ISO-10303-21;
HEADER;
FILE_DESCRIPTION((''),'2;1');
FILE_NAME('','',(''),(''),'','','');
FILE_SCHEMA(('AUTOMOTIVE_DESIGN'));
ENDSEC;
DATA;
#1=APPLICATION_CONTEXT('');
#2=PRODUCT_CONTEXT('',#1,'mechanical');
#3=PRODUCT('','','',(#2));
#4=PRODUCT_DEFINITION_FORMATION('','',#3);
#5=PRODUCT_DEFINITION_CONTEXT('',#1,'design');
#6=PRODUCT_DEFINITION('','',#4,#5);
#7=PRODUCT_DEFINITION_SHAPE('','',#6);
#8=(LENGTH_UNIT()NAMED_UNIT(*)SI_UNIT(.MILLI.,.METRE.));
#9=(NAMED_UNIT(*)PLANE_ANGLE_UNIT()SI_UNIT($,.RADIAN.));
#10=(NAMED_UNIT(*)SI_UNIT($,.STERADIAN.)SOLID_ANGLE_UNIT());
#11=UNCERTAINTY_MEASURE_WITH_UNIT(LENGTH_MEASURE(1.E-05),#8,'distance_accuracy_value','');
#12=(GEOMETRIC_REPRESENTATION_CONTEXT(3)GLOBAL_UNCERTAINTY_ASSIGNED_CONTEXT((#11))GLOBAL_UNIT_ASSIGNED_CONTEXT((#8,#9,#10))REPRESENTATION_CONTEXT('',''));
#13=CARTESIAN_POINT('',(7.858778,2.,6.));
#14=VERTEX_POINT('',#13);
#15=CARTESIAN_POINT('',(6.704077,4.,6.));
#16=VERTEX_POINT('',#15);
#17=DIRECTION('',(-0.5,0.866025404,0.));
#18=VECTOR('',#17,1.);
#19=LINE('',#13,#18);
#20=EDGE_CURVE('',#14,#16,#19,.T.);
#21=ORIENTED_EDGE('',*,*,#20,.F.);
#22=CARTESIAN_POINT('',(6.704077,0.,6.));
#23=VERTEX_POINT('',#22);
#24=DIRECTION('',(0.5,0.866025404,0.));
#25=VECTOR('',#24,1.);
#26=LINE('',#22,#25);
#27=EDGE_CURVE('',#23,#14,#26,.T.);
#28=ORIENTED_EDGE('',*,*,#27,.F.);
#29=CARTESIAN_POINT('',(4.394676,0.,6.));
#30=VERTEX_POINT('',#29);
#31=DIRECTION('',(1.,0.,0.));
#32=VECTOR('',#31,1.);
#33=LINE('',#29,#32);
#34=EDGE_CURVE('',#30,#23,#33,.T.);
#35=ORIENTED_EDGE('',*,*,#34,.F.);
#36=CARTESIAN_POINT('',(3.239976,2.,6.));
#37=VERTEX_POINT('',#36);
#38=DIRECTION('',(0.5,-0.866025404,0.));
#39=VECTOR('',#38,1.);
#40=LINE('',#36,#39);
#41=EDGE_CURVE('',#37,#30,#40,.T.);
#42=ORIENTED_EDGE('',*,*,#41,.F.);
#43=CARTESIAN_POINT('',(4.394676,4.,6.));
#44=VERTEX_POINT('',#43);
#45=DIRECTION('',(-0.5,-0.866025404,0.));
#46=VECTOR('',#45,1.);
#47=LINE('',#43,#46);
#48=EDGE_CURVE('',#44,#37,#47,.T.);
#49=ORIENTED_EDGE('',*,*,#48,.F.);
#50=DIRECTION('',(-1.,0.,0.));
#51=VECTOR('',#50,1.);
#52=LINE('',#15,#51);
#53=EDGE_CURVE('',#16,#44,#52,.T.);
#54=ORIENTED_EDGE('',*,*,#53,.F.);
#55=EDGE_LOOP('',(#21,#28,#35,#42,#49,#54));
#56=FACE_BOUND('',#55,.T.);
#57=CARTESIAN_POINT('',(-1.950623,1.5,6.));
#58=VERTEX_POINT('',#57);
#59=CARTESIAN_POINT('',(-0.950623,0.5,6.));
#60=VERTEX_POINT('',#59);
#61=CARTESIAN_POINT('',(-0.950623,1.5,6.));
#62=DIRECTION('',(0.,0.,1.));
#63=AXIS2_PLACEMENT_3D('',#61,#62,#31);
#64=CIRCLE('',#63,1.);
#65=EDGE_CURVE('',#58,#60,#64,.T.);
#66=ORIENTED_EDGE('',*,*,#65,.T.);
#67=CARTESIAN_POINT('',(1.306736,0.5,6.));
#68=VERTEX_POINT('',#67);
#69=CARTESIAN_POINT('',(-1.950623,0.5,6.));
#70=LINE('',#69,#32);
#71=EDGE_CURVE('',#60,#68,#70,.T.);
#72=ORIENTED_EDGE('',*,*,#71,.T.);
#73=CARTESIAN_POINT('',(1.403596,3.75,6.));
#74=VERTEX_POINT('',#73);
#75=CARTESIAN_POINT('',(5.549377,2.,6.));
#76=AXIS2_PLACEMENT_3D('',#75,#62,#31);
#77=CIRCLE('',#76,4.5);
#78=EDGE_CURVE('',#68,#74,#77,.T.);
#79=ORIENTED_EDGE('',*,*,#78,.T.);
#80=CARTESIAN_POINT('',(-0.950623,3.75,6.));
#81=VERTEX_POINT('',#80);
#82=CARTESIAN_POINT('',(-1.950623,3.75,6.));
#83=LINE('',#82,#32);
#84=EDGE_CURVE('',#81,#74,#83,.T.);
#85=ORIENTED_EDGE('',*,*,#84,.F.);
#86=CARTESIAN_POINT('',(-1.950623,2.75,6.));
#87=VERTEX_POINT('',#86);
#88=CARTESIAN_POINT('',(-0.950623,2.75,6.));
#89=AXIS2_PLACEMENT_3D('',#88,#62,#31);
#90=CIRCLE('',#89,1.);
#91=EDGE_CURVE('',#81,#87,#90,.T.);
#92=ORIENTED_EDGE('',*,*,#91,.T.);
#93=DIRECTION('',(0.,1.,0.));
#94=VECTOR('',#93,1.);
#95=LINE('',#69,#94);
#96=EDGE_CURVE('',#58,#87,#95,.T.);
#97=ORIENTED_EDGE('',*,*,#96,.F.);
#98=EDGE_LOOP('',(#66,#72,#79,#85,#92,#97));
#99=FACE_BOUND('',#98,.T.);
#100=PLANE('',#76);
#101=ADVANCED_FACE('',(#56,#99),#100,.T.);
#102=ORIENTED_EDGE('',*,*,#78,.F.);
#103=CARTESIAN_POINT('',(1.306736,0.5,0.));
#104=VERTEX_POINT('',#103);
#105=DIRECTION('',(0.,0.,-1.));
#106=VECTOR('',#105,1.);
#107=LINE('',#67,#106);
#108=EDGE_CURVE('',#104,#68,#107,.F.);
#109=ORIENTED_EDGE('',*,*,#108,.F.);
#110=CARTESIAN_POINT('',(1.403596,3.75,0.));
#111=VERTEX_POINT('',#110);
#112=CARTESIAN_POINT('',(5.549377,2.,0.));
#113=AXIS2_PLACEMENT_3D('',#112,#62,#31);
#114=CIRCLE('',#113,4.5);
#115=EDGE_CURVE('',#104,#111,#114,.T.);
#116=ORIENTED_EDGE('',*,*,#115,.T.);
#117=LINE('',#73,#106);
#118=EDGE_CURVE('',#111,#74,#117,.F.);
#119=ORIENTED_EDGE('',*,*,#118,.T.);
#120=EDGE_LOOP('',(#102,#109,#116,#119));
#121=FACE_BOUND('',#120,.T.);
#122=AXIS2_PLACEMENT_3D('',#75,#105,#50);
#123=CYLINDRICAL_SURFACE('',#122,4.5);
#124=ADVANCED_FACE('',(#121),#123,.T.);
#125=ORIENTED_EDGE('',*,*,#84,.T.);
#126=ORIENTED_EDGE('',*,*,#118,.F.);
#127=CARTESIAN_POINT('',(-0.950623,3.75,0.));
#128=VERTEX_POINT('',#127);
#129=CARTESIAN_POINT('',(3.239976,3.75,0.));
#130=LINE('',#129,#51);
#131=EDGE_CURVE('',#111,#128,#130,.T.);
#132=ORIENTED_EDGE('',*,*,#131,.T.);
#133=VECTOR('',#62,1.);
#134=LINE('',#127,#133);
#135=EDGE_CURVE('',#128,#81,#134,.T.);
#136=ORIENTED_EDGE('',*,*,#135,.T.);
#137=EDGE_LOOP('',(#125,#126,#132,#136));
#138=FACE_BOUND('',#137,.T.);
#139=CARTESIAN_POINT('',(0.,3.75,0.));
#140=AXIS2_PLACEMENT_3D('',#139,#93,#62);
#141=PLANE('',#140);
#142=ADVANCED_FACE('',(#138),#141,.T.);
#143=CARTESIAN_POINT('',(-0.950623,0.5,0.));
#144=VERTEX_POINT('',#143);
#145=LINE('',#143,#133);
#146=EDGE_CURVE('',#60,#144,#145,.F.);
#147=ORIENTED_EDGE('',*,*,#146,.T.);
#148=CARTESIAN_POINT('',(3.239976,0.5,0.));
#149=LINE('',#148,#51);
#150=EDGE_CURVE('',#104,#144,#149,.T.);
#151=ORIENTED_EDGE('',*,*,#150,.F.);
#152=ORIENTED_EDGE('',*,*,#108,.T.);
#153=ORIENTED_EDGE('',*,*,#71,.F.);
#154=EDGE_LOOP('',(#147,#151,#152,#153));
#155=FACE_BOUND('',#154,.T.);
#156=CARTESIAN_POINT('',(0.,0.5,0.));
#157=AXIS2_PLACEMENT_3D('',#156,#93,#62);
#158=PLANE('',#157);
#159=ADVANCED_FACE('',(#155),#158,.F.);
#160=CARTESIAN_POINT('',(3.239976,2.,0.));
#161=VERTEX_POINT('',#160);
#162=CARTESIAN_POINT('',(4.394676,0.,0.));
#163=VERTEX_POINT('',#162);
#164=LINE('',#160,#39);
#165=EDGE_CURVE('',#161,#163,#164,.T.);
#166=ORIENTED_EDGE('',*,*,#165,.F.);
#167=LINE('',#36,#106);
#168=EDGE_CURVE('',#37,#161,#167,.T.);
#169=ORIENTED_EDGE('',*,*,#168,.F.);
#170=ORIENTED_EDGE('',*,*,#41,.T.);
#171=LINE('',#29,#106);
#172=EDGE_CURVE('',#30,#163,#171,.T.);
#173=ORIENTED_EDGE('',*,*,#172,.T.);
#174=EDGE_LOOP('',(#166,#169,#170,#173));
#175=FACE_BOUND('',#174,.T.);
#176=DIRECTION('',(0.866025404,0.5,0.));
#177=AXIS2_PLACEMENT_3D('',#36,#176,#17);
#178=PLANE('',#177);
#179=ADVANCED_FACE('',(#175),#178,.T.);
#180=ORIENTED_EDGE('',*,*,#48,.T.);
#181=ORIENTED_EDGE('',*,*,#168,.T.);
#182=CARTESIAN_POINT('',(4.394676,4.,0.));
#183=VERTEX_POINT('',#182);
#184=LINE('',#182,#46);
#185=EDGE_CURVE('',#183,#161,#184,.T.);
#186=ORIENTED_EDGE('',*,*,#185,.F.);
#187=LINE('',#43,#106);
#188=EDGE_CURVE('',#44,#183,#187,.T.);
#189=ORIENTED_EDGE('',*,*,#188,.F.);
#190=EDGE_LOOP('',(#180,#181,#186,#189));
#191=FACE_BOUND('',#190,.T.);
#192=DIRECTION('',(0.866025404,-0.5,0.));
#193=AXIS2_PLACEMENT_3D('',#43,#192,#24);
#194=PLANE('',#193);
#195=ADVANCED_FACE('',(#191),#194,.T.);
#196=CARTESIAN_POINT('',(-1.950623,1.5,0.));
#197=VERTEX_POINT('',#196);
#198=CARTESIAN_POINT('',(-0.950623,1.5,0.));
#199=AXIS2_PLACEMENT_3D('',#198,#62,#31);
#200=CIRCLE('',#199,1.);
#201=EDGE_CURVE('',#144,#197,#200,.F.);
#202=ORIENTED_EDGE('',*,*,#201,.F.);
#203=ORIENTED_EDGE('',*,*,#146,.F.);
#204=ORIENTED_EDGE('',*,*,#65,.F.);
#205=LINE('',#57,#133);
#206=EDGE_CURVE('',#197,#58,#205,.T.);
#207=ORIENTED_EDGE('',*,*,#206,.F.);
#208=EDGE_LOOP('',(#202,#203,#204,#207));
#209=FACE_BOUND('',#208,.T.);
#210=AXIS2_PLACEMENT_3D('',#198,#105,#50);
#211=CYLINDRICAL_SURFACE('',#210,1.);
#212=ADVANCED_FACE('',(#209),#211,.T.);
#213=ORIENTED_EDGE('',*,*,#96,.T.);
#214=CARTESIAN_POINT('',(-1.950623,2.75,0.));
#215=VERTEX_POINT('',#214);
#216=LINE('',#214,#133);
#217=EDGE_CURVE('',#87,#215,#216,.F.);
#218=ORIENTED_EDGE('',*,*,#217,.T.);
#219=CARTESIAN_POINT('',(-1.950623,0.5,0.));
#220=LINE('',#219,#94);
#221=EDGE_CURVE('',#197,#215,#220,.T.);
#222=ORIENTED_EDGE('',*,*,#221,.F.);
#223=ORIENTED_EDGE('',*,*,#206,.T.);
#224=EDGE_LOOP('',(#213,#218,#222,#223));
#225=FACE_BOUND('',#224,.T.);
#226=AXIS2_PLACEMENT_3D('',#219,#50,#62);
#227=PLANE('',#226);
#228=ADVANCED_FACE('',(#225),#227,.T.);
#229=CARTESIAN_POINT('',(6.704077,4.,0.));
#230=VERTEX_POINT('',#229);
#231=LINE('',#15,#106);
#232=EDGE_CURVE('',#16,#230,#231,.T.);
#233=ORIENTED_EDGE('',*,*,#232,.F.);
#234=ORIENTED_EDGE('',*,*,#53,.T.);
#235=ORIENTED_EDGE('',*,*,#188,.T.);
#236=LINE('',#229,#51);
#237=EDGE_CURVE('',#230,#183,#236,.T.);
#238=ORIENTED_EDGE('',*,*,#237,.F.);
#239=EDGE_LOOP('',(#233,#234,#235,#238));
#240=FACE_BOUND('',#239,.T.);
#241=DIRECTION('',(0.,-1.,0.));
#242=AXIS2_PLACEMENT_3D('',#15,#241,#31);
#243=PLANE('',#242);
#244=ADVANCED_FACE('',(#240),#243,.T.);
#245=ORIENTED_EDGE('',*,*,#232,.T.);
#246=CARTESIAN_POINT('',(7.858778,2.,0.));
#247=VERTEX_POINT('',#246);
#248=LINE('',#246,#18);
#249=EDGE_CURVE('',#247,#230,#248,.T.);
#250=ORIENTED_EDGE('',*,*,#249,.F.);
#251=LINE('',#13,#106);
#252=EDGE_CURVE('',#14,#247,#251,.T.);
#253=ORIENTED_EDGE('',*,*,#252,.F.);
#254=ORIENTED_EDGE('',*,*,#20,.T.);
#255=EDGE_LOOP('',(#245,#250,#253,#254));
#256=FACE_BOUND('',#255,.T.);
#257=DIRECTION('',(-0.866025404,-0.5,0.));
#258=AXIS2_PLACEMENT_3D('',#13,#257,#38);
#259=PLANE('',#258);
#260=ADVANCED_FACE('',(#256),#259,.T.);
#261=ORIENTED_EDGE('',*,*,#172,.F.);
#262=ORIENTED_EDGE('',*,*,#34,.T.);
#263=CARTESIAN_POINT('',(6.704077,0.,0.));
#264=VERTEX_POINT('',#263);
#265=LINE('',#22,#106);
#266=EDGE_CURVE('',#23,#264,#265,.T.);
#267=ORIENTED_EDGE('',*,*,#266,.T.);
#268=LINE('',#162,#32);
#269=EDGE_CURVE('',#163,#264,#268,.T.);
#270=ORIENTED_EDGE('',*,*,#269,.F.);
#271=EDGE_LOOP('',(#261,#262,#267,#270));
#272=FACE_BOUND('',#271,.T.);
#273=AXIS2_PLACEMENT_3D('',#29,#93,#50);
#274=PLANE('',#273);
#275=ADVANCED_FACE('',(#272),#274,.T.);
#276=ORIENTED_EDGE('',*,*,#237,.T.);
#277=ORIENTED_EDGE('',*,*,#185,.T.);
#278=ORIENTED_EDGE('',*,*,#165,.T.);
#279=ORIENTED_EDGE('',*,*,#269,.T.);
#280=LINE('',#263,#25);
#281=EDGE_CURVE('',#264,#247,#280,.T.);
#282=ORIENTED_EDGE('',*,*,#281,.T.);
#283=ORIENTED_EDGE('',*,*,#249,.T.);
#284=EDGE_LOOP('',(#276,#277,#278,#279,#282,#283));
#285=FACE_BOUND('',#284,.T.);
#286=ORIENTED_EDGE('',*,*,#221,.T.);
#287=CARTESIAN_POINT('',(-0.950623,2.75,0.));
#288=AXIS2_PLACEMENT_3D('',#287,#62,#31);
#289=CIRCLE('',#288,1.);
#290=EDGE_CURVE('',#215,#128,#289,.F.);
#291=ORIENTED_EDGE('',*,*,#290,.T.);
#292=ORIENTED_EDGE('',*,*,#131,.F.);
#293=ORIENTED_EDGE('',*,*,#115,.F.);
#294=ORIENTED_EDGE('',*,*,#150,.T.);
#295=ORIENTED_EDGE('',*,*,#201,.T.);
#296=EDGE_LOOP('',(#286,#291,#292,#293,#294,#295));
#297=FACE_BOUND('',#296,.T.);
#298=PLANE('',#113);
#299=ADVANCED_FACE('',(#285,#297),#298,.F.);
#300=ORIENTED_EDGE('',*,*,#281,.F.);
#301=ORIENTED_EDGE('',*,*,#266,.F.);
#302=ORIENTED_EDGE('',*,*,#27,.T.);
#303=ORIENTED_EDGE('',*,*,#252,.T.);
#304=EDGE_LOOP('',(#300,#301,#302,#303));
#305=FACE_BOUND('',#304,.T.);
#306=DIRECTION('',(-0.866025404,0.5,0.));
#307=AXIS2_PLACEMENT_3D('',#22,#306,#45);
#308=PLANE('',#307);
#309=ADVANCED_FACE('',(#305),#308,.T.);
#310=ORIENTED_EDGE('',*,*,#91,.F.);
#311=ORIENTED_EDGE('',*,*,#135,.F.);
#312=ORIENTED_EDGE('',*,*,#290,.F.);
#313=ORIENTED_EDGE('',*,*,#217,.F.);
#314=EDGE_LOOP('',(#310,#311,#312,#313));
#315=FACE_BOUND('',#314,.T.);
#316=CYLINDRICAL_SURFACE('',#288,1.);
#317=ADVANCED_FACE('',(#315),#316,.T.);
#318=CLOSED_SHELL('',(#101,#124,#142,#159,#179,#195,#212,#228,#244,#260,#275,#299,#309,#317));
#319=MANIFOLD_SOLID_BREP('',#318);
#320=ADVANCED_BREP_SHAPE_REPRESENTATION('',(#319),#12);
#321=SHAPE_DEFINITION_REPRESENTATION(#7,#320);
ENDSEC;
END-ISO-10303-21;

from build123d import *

# Parameters (mm, degrees)
SKETCH1_R                = 4.5
BOSS_EXTRUDE1_DEPTH      = 6
BOSS_EXTRUDE2_DEPTH      = 1.75
BOSS_EXTRUDE2_DEPTH_BACK = 1.5
FILLET1_R                = 1


with BuildPart() as part:
    # Sketch1 → Boss-Extrude1 (new body)
    with BuildSketch(Plane.XY):
        with Locations((5.549376682, 2)):
            Circle(SKETCH1_R)
        Polygon((4.394676144, 0), (6.704077221, 0), (7.858777759, 2), (6.704077221, 4), (4.394676144, 4), (3.239975606, 2), align=None, mode=Mode.SUBTRACT)
    extrude(amount=BOSS_EXTRUDE1_DEPTH)

    # Sketch2 → Boss-Extrude2 (add, two sides)
    with BuildSketch(Plane(origin=(0, 2, 0), x_dir=(1, 0, 0), z_dir=(0, 1, 0))) as boss_extrude2_sk:
        Polygon((3.239975606, 0), (1.049376682, 0), (-1.950623318, 0), (-1.950623318, -6), (1.049376682, -6), (3.239975606, -6), align=None)
    extrude(amount=BOSS_EXTRUDE2_DEPTH)
    extrude(boss_extrude2_sk.sketch, amount=-BOSS_EXTRUDE2_DEPTH_BACK)

    # Fillet1
    fillet1_edges = [part.edges().sort_by_distance(p)[0] for p in [
        (-1.950623318, 3.75, 3),
        (-1.950623318, 0.5, 3),
    ]]
    fillet(fillet1_edges, radius=FILLET1_R)


solid = part.part
